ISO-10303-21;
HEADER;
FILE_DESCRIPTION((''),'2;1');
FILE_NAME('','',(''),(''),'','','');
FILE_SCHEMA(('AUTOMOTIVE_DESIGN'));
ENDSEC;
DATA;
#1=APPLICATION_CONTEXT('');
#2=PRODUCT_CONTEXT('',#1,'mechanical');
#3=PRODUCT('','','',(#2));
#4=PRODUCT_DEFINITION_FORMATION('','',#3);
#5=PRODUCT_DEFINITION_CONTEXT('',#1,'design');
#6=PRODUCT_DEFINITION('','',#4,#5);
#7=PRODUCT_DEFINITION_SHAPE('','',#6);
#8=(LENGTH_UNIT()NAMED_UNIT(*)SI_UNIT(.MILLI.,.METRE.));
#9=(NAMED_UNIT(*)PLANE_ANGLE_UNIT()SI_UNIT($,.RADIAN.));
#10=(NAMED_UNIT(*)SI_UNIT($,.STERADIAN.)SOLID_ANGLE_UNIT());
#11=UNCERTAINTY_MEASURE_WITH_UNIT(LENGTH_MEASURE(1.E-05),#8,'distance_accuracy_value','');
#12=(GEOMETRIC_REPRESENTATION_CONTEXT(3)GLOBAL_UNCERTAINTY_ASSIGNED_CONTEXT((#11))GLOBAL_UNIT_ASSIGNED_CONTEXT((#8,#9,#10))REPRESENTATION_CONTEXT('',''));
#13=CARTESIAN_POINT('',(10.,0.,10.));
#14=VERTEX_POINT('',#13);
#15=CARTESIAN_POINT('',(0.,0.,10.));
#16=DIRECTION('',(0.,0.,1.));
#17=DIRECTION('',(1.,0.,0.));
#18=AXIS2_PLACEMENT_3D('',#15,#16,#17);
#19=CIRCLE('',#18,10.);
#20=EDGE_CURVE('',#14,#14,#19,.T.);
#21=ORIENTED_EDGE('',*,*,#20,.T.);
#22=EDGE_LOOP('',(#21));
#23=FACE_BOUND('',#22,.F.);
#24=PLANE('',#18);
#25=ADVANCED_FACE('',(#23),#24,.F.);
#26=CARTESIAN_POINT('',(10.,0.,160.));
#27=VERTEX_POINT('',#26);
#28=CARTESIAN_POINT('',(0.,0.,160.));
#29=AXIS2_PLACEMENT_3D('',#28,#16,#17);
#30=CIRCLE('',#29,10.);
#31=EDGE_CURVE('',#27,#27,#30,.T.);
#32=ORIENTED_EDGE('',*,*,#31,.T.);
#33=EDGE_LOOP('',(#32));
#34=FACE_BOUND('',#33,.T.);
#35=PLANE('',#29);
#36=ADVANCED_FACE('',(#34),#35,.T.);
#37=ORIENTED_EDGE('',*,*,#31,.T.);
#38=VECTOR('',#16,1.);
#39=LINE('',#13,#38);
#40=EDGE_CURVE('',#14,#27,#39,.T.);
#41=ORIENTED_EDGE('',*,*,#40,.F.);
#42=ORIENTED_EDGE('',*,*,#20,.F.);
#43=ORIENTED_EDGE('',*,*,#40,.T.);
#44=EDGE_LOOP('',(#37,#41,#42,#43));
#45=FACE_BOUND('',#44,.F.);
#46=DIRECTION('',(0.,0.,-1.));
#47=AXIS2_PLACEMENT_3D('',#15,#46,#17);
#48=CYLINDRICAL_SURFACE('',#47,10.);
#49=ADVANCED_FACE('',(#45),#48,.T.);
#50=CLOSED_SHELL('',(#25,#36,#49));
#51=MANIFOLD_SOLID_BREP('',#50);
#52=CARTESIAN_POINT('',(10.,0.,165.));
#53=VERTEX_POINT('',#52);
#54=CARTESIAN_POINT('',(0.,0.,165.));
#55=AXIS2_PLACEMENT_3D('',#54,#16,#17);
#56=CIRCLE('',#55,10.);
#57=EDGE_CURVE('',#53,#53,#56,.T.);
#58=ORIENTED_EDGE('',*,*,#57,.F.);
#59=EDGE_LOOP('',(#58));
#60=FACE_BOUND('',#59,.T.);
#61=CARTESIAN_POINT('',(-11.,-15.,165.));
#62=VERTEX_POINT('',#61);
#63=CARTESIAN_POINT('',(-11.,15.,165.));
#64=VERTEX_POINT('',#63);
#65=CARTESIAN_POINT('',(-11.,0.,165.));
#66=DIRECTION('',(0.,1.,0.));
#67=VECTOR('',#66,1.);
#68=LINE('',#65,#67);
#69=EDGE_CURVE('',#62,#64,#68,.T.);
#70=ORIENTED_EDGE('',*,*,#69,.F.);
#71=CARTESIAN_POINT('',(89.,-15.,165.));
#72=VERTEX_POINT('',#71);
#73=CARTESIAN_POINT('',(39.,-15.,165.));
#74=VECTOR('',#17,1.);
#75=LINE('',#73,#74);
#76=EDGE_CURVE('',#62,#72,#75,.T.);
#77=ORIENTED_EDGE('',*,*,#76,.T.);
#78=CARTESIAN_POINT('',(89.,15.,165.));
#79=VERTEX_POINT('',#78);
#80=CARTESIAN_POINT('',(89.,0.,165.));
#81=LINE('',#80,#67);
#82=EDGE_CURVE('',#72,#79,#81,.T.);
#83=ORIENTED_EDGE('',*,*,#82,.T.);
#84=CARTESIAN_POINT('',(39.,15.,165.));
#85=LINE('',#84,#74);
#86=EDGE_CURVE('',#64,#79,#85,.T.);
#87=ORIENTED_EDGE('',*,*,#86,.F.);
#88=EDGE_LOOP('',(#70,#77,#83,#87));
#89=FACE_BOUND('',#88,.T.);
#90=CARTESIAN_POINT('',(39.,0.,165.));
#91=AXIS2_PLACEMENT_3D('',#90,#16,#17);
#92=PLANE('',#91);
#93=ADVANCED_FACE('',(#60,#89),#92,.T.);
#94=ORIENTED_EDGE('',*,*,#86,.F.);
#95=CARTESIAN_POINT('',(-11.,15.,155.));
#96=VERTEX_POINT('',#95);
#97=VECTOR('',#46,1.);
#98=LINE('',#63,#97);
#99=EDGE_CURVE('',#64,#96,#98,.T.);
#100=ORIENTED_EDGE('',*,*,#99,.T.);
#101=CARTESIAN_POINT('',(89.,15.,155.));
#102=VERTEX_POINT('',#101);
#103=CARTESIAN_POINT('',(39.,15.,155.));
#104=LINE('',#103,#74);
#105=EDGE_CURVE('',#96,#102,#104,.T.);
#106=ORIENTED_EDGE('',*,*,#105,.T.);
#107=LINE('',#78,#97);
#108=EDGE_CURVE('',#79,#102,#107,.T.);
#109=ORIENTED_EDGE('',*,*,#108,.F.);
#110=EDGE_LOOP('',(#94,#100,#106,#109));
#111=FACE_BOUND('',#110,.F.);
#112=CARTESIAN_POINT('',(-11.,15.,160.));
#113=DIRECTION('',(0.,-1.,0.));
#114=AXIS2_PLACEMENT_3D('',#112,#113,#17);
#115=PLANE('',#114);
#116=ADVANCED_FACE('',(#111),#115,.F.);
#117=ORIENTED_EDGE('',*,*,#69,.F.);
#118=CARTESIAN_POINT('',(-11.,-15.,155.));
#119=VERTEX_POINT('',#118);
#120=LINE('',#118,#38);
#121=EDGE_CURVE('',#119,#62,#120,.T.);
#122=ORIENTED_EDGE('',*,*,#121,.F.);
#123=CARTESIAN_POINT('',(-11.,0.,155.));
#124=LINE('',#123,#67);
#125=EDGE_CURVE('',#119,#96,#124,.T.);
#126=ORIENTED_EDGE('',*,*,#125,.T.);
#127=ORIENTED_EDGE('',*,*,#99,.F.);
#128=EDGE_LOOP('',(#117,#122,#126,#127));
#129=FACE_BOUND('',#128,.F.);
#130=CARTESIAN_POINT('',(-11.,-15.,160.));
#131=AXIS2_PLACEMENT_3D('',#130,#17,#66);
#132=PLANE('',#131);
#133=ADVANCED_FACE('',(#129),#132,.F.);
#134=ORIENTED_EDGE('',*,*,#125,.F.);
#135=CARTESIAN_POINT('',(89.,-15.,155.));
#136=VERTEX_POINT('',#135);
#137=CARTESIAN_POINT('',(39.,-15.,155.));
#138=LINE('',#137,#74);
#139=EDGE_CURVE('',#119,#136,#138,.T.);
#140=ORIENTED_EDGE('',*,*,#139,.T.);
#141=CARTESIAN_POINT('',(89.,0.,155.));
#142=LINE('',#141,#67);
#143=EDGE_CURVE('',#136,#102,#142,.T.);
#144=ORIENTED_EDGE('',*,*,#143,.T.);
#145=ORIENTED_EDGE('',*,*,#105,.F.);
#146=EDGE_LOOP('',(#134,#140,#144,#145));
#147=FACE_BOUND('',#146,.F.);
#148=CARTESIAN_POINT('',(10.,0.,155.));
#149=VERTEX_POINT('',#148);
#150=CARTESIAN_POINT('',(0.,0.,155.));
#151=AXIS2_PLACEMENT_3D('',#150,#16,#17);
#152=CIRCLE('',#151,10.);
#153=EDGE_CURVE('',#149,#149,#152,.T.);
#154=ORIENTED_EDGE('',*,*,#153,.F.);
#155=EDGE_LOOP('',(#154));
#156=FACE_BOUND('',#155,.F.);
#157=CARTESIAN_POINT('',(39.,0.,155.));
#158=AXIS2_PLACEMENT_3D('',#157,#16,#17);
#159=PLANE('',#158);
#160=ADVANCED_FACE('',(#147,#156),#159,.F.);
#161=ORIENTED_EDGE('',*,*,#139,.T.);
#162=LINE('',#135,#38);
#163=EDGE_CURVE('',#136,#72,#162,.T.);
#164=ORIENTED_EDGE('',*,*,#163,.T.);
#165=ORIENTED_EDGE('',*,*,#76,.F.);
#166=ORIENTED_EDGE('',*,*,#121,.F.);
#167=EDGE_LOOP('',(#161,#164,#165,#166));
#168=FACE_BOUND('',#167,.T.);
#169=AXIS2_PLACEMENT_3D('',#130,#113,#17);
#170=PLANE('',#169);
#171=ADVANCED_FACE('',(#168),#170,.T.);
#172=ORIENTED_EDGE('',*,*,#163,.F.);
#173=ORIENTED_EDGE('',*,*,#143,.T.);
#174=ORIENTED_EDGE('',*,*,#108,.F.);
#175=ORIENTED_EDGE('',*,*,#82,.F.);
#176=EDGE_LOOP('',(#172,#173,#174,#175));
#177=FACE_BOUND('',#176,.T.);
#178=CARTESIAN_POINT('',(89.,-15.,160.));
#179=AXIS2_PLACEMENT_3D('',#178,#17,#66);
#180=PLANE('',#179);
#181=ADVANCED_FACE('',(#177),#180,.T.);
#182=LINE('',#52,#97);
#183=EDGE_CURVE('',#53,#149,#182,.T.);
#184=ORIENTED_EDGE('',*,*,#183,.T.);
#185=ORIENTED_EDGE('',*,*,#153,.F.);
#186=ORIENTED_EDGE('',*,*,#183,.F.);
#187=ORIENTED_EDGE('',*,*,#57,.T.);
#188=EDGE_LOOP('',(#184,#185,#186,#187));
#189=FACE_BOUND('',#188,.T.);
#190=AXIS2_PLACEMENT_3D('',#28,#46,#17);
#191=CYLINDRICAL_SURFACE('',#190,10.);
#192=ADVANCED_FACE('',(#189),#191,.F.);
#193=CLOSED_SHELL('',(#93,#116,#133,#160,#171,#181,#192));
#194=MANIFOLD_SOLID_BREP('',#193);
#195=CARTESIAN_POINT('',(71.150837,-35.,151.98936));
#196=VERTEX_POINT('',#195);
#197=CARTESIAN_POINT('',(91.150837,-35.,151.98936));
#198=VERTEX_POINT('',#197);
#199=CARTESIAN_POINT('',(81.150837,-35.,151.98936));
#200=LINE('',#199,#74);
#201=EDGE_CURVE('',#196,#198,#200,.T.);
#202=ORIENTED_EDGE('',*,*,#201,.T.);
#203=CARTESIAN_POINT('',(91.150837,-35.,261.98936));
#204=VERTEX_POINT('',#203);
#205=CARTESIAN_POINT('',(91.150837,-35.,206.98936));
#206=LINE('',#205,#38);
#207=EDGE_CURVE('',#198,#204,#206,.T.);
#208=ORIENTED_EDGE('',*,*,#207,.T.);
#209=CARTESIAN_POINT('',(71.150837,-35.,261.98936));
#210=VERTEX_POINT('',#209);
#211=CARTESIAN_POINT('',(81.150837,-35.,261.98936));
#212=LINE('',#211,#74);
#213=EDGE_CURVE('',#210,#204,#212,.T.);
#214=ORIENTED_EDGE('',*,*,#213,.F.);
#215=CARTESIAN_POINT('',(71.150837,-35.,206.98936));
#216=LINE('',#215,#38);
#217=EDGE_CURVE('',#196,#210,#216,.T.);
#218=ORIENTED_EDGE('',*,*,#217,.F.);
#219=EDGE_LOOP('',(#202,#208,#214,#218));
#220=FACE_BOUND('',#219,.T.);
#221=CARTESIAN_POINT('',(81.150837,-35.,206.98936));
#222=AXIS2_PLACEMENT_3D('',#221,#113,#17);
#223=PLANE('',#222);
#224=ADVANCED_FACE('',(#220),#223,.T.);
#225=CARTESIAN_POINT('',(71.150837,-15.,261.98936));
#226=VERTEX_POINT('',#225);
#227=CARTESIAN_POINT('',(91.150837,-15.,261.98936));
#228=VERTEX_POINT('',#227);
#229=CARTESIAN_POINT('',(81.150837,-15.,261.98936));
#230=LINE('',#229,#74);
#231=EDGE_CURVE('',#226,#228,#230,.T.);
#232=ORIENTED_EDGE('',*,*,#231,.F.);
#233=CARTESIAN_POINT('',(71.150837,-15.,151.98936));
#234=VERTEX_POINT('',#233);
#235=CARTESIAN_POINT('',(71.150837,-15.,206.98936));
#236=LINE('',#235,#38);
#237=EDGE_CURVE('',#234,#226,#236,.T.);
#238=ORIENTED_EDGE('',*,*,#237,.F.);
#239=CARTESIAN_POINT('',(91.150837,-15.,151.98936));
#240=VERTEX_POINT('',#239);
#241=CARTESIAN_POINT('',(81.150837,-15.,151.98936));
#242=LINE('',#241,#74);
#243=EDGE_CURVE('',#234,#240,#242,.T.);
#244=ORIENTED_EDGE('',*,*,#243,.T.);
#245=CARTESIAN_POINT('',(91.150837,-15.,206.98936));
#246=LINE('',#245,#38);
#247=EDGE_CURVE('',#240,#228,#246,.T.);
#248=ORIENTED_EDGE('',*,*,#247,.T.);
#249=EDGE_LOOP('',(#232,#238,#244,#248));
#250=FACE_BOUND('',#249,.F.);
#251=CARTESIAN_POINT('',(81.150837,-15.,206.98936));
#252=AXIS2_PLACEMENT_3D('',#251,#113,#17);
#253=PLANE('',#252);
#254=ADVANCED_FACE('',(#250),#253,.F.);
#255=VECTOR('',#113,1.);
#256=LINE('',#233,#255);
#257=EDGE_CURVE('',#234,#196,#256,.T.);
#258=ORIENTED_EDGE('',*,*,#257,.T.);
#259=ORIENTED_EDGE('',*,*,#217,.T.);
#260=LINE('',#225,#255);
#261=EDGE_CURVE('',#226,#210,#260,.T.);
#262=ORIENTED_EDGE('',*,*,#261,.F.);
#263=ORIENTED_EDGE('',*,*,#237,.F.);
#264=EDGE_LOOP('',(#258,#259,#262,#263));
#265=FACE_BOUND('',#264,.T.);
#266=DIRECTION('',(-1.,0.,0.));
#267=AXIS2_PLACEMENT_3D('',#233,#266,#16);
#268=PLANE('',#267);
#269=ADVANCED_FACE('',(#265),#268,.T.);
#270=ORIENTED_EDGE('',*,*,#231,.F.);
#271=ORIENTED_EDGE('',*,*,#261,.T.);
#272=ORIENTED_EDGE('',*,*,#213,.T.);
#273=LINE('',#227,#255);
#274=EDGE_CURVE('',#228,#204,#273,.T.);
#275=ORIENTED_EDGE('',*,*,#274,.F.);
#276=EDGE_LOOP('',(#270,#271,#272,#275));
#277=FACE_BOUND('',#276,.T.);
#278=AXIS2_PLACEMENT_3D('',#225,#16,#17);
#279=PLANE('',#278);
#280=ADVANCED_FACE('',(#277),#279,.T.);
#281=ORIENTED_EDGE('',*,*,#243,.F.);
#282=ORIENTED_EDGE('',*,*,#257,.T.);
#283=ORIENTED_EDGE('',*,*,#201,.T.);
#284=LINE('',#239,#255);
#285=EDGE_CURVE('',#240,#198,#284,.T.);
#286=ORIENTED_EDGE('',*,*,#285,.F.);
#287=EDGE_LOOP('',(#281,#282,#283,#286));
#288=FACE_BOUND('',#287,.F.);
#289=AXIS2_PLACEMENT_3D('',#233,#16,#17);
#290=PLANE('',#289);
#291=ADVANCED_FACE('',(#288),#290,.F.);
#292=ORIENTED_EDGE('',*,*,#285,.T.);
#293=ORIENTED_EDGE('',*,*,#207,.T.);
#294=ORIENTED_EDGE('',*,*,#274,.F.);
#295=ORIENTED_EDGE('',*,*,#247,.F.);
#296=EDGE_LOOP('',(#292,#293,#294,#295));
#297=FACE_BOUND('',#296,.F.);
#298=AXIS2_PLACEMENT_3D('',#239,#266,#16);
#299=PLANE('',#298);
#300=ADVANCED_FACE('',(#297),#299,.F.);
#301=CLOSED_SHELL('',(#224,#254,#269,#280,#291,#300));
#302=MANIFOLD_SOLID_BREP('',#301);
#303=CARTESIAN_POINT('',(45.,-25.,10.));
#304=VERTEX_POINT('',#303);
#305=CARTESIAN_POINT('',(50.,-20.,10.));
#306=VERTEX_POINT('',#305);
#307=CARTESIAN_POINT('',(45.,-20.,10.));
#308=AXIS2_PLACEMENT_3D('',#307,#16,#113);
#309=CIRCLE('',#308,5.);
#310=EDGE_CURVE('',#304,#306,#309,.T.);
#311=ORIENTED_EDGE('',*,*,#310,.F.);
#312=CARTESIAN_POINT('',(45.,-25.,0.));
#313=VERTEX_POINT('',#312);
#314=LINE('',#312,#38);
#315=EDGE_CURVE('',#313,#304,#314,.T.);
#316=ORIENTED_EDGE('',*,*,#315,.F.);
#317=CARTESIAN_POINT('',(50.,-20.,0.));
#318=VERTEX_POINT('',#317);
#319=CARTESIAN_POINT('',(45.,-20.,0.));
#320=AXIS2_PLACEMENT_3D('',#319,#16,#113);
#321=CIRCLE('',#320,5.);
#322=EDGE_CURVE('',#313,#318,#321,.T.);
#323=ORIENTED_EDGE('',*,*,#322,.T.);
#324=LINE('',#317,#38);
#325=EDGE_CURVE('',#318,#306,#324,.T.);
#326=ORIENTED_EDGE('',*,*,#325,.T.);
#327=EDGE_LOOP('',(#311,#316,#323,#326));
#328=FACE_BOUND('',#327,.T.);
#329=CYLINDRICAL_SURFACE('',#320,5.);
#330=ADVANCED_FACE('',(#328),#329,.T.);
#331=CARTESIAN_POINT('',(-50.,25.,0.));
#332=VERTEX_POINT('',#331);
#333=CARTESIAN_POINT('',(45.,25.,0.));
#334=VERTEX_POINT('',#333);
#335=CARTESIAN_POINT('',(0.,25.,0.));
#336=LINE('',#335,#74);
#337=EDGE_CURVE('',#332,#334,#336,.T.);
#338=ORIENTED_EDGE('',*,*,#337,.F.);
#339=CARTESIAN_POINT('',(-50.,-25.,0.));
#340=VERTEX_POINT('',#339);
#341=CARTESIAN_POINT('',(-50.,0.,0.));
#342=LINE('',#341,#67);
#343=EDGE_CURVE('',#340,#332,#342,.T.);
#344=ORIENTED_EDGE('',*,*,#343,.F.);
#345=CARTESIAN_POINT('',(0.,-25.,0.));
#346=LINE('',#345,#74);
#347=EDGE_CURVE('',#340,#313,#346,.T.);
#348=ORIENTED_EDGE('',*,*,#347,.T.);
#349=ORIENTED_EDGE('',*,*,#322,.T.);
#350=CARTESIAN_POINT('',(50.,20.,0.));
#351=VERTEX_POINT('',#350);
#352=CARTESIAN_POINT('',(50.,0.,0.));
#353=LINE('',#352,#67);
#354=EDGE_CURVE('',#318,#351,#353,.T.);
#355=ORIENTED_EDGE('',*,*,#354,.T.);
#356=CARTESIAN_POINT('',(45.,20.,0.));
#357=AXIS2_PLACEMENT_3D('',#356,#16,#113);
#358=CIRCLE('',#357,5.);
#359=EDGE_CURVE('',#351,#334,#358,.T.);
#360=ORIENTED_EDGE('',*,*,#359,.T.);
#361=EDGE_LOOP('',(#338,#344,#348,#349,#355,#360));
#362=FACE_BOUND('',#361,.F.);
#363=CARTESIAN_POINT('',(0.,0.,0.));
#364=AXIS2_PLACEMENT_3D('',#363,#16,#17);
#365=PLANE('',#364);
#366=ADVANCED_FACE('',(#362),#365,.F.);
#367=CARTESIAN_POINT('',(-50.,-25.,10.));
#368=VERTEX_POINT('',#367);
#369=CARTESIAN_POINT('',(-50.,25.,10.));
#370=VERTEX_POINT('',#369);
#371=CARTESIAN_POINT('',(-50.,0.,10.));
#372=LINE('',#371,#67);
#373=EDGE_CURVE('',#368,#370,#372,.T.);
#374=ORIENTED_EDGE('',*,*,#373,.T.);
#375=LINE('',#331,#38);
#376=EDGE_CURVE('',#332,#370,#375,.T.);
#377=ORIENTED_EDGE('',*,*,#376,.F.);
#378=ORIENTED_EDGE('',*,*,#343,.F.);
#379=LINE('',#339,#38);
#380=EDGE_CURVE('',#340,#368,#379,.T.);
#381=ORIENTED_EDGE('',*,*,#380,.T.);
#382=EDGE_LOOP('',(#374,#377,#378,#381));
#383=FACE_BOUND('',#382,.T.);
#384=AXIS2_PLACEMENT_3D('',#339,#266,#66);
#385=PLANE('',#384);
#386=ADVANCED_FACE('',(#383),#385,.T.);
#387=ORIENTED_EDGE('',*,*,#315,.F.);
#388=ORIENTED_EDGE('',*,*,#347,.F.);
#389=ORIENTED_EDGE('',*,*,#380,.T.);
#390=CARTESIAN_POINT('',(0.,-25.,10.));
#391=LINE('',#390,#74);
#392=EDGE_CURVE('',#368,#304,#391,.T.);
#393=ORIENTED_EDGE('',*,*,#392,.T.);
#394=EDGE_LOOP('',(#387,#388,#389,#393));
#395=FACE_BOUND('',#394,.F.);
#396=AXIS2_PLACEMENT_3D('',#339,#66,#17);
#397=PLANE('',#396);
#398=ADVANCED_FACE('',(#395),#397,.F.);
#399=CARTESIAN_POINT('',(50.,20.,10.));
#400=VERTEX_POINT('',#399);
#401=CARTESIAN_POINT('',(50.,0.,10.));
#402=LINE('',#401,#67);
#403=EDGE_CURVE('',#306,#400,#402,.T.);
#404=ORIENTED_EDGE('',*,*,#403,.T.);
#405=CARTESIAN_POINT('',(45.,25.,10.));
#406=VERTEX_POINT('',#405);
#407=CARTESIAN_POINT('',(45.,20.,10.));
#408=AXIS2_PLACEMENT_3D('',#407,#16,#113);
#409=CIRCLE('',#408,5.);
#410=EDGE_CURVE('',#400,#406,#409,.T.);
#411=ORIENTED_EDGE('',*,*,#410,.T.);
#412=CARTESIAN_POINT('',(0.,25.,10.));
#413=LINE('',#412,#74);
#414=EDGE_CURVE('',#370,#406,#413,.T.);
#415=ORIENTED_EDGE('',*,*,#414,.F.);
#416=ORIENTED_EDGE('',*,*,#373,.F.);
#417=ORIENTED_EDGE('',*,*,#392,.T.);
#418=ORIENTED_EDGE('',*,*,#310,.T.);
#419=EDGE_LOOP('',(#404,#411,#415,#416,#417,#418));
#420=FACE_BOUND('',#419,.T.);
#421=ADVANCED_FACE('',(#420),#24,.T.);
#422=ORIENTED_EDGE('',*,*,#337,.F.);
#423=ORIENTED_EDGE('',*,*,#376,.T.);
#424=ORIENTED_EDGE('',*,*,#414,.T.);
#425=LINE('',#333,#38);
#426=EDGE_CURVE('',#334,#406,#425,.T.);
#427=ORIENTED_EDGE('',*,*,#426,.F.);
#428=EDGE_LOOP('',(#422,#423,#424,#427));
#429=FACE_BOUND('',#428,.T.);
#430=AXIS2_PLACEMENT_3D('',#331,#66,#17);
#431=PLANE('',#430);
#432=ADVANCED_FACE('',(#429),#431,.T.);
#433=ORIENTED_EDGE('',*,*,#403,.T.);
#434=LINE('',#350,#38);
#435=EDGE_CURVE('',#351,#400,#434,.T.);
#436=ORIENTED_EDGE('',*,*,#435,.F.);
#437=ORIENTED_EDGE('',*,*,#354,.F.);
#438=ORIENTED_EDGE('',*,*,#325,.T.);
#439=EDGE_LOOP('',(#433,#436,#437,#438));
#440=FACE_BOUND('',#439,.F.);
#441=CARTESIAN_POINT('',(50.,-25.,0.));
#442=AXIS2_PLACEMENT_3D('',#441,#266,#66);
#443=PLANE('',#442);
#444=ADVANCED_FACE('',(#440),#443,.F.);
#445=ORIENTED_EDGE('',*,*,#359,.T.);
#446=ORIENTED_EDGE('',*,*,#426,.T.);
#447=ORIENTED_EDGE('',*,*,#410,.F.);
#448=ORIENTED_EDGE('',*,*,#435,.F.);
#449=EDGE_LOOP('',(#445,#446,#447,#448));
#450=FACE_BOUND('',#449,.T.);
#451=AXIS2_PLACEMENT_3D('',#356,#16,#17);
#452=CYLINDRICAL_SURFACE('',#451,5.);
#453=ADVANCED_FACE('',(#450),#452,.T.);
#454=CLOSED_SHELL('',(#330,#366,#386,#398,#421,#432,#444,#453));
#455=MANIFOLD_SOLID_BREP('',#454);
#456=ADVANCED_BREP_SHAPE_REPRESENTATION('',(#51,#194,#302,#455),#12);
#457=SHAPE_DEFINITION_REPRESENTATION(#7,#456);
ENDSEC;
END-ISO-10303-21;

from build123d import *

# Parameters (mm, degrees)
F0_W     = 100
F0_H     = 50
F1_DEPTH = 10
F2_R     = 5
F3_R     = 5
F4_R     = 10
F5_DEPTH = 150
F6_W     = 100
F6_H     = 30
F6_R     = 10
F7_DEPTH = 5
F8_W     = 20
F8_H     = 110
F9_DEPTH = 20


with BuildPart() as f1:
    # F0 (on Top) → F1 (new body)
    with BuildSketch(Plane.XY):
        Rectangle(F0_W, F0_H)
    extrude(amount=F1_DEPTH)

    # F2
    f2_edges = [f1.edges().sort_by_distance(p)[0] for p in [
        (50, -25, 5),
    ]]
    fillet(f2_edges, radius=F2_R)

    # F3
    f3_edges = [f1.edges().sort_by_distance(p)[0] for p in [
        (50, 25, 5),
    ]]
    fillet(f3_edges, radius=F3_R)


with BuildPart() as f5:
    # F4 (on face) → F5 (new body)
    with BuildSketch(Plane.XY.offset(10)):
        Circle(F4_R)
    extrude(amount=F5_DEPTH)


with BuildPart() as f7:
    # F6 (on face) → F7 (new body, symmetric)
    with BuildSketch(Plane.XY.offset(160)):
        with Locations((39, 0)):
            Rectangle(F6_W, F6_H)
        Circle(F6_R, mode=Mode.SUBTRACT)
    extrude(amount=F7_DEPTH, both=True)


with BuildPart() as f9:
    # F8 (on face) → F9 (new body)
    with BuildSketch(Plane.XZ.offset(15)):
        with Locations((81.150837, 206.98936)):
            Rectangle(F8_W, F8_H)
    extrude(amount=F9_DEPTH)


solid = Compound([f1.part, f5.part, f7.part, f9.part])
